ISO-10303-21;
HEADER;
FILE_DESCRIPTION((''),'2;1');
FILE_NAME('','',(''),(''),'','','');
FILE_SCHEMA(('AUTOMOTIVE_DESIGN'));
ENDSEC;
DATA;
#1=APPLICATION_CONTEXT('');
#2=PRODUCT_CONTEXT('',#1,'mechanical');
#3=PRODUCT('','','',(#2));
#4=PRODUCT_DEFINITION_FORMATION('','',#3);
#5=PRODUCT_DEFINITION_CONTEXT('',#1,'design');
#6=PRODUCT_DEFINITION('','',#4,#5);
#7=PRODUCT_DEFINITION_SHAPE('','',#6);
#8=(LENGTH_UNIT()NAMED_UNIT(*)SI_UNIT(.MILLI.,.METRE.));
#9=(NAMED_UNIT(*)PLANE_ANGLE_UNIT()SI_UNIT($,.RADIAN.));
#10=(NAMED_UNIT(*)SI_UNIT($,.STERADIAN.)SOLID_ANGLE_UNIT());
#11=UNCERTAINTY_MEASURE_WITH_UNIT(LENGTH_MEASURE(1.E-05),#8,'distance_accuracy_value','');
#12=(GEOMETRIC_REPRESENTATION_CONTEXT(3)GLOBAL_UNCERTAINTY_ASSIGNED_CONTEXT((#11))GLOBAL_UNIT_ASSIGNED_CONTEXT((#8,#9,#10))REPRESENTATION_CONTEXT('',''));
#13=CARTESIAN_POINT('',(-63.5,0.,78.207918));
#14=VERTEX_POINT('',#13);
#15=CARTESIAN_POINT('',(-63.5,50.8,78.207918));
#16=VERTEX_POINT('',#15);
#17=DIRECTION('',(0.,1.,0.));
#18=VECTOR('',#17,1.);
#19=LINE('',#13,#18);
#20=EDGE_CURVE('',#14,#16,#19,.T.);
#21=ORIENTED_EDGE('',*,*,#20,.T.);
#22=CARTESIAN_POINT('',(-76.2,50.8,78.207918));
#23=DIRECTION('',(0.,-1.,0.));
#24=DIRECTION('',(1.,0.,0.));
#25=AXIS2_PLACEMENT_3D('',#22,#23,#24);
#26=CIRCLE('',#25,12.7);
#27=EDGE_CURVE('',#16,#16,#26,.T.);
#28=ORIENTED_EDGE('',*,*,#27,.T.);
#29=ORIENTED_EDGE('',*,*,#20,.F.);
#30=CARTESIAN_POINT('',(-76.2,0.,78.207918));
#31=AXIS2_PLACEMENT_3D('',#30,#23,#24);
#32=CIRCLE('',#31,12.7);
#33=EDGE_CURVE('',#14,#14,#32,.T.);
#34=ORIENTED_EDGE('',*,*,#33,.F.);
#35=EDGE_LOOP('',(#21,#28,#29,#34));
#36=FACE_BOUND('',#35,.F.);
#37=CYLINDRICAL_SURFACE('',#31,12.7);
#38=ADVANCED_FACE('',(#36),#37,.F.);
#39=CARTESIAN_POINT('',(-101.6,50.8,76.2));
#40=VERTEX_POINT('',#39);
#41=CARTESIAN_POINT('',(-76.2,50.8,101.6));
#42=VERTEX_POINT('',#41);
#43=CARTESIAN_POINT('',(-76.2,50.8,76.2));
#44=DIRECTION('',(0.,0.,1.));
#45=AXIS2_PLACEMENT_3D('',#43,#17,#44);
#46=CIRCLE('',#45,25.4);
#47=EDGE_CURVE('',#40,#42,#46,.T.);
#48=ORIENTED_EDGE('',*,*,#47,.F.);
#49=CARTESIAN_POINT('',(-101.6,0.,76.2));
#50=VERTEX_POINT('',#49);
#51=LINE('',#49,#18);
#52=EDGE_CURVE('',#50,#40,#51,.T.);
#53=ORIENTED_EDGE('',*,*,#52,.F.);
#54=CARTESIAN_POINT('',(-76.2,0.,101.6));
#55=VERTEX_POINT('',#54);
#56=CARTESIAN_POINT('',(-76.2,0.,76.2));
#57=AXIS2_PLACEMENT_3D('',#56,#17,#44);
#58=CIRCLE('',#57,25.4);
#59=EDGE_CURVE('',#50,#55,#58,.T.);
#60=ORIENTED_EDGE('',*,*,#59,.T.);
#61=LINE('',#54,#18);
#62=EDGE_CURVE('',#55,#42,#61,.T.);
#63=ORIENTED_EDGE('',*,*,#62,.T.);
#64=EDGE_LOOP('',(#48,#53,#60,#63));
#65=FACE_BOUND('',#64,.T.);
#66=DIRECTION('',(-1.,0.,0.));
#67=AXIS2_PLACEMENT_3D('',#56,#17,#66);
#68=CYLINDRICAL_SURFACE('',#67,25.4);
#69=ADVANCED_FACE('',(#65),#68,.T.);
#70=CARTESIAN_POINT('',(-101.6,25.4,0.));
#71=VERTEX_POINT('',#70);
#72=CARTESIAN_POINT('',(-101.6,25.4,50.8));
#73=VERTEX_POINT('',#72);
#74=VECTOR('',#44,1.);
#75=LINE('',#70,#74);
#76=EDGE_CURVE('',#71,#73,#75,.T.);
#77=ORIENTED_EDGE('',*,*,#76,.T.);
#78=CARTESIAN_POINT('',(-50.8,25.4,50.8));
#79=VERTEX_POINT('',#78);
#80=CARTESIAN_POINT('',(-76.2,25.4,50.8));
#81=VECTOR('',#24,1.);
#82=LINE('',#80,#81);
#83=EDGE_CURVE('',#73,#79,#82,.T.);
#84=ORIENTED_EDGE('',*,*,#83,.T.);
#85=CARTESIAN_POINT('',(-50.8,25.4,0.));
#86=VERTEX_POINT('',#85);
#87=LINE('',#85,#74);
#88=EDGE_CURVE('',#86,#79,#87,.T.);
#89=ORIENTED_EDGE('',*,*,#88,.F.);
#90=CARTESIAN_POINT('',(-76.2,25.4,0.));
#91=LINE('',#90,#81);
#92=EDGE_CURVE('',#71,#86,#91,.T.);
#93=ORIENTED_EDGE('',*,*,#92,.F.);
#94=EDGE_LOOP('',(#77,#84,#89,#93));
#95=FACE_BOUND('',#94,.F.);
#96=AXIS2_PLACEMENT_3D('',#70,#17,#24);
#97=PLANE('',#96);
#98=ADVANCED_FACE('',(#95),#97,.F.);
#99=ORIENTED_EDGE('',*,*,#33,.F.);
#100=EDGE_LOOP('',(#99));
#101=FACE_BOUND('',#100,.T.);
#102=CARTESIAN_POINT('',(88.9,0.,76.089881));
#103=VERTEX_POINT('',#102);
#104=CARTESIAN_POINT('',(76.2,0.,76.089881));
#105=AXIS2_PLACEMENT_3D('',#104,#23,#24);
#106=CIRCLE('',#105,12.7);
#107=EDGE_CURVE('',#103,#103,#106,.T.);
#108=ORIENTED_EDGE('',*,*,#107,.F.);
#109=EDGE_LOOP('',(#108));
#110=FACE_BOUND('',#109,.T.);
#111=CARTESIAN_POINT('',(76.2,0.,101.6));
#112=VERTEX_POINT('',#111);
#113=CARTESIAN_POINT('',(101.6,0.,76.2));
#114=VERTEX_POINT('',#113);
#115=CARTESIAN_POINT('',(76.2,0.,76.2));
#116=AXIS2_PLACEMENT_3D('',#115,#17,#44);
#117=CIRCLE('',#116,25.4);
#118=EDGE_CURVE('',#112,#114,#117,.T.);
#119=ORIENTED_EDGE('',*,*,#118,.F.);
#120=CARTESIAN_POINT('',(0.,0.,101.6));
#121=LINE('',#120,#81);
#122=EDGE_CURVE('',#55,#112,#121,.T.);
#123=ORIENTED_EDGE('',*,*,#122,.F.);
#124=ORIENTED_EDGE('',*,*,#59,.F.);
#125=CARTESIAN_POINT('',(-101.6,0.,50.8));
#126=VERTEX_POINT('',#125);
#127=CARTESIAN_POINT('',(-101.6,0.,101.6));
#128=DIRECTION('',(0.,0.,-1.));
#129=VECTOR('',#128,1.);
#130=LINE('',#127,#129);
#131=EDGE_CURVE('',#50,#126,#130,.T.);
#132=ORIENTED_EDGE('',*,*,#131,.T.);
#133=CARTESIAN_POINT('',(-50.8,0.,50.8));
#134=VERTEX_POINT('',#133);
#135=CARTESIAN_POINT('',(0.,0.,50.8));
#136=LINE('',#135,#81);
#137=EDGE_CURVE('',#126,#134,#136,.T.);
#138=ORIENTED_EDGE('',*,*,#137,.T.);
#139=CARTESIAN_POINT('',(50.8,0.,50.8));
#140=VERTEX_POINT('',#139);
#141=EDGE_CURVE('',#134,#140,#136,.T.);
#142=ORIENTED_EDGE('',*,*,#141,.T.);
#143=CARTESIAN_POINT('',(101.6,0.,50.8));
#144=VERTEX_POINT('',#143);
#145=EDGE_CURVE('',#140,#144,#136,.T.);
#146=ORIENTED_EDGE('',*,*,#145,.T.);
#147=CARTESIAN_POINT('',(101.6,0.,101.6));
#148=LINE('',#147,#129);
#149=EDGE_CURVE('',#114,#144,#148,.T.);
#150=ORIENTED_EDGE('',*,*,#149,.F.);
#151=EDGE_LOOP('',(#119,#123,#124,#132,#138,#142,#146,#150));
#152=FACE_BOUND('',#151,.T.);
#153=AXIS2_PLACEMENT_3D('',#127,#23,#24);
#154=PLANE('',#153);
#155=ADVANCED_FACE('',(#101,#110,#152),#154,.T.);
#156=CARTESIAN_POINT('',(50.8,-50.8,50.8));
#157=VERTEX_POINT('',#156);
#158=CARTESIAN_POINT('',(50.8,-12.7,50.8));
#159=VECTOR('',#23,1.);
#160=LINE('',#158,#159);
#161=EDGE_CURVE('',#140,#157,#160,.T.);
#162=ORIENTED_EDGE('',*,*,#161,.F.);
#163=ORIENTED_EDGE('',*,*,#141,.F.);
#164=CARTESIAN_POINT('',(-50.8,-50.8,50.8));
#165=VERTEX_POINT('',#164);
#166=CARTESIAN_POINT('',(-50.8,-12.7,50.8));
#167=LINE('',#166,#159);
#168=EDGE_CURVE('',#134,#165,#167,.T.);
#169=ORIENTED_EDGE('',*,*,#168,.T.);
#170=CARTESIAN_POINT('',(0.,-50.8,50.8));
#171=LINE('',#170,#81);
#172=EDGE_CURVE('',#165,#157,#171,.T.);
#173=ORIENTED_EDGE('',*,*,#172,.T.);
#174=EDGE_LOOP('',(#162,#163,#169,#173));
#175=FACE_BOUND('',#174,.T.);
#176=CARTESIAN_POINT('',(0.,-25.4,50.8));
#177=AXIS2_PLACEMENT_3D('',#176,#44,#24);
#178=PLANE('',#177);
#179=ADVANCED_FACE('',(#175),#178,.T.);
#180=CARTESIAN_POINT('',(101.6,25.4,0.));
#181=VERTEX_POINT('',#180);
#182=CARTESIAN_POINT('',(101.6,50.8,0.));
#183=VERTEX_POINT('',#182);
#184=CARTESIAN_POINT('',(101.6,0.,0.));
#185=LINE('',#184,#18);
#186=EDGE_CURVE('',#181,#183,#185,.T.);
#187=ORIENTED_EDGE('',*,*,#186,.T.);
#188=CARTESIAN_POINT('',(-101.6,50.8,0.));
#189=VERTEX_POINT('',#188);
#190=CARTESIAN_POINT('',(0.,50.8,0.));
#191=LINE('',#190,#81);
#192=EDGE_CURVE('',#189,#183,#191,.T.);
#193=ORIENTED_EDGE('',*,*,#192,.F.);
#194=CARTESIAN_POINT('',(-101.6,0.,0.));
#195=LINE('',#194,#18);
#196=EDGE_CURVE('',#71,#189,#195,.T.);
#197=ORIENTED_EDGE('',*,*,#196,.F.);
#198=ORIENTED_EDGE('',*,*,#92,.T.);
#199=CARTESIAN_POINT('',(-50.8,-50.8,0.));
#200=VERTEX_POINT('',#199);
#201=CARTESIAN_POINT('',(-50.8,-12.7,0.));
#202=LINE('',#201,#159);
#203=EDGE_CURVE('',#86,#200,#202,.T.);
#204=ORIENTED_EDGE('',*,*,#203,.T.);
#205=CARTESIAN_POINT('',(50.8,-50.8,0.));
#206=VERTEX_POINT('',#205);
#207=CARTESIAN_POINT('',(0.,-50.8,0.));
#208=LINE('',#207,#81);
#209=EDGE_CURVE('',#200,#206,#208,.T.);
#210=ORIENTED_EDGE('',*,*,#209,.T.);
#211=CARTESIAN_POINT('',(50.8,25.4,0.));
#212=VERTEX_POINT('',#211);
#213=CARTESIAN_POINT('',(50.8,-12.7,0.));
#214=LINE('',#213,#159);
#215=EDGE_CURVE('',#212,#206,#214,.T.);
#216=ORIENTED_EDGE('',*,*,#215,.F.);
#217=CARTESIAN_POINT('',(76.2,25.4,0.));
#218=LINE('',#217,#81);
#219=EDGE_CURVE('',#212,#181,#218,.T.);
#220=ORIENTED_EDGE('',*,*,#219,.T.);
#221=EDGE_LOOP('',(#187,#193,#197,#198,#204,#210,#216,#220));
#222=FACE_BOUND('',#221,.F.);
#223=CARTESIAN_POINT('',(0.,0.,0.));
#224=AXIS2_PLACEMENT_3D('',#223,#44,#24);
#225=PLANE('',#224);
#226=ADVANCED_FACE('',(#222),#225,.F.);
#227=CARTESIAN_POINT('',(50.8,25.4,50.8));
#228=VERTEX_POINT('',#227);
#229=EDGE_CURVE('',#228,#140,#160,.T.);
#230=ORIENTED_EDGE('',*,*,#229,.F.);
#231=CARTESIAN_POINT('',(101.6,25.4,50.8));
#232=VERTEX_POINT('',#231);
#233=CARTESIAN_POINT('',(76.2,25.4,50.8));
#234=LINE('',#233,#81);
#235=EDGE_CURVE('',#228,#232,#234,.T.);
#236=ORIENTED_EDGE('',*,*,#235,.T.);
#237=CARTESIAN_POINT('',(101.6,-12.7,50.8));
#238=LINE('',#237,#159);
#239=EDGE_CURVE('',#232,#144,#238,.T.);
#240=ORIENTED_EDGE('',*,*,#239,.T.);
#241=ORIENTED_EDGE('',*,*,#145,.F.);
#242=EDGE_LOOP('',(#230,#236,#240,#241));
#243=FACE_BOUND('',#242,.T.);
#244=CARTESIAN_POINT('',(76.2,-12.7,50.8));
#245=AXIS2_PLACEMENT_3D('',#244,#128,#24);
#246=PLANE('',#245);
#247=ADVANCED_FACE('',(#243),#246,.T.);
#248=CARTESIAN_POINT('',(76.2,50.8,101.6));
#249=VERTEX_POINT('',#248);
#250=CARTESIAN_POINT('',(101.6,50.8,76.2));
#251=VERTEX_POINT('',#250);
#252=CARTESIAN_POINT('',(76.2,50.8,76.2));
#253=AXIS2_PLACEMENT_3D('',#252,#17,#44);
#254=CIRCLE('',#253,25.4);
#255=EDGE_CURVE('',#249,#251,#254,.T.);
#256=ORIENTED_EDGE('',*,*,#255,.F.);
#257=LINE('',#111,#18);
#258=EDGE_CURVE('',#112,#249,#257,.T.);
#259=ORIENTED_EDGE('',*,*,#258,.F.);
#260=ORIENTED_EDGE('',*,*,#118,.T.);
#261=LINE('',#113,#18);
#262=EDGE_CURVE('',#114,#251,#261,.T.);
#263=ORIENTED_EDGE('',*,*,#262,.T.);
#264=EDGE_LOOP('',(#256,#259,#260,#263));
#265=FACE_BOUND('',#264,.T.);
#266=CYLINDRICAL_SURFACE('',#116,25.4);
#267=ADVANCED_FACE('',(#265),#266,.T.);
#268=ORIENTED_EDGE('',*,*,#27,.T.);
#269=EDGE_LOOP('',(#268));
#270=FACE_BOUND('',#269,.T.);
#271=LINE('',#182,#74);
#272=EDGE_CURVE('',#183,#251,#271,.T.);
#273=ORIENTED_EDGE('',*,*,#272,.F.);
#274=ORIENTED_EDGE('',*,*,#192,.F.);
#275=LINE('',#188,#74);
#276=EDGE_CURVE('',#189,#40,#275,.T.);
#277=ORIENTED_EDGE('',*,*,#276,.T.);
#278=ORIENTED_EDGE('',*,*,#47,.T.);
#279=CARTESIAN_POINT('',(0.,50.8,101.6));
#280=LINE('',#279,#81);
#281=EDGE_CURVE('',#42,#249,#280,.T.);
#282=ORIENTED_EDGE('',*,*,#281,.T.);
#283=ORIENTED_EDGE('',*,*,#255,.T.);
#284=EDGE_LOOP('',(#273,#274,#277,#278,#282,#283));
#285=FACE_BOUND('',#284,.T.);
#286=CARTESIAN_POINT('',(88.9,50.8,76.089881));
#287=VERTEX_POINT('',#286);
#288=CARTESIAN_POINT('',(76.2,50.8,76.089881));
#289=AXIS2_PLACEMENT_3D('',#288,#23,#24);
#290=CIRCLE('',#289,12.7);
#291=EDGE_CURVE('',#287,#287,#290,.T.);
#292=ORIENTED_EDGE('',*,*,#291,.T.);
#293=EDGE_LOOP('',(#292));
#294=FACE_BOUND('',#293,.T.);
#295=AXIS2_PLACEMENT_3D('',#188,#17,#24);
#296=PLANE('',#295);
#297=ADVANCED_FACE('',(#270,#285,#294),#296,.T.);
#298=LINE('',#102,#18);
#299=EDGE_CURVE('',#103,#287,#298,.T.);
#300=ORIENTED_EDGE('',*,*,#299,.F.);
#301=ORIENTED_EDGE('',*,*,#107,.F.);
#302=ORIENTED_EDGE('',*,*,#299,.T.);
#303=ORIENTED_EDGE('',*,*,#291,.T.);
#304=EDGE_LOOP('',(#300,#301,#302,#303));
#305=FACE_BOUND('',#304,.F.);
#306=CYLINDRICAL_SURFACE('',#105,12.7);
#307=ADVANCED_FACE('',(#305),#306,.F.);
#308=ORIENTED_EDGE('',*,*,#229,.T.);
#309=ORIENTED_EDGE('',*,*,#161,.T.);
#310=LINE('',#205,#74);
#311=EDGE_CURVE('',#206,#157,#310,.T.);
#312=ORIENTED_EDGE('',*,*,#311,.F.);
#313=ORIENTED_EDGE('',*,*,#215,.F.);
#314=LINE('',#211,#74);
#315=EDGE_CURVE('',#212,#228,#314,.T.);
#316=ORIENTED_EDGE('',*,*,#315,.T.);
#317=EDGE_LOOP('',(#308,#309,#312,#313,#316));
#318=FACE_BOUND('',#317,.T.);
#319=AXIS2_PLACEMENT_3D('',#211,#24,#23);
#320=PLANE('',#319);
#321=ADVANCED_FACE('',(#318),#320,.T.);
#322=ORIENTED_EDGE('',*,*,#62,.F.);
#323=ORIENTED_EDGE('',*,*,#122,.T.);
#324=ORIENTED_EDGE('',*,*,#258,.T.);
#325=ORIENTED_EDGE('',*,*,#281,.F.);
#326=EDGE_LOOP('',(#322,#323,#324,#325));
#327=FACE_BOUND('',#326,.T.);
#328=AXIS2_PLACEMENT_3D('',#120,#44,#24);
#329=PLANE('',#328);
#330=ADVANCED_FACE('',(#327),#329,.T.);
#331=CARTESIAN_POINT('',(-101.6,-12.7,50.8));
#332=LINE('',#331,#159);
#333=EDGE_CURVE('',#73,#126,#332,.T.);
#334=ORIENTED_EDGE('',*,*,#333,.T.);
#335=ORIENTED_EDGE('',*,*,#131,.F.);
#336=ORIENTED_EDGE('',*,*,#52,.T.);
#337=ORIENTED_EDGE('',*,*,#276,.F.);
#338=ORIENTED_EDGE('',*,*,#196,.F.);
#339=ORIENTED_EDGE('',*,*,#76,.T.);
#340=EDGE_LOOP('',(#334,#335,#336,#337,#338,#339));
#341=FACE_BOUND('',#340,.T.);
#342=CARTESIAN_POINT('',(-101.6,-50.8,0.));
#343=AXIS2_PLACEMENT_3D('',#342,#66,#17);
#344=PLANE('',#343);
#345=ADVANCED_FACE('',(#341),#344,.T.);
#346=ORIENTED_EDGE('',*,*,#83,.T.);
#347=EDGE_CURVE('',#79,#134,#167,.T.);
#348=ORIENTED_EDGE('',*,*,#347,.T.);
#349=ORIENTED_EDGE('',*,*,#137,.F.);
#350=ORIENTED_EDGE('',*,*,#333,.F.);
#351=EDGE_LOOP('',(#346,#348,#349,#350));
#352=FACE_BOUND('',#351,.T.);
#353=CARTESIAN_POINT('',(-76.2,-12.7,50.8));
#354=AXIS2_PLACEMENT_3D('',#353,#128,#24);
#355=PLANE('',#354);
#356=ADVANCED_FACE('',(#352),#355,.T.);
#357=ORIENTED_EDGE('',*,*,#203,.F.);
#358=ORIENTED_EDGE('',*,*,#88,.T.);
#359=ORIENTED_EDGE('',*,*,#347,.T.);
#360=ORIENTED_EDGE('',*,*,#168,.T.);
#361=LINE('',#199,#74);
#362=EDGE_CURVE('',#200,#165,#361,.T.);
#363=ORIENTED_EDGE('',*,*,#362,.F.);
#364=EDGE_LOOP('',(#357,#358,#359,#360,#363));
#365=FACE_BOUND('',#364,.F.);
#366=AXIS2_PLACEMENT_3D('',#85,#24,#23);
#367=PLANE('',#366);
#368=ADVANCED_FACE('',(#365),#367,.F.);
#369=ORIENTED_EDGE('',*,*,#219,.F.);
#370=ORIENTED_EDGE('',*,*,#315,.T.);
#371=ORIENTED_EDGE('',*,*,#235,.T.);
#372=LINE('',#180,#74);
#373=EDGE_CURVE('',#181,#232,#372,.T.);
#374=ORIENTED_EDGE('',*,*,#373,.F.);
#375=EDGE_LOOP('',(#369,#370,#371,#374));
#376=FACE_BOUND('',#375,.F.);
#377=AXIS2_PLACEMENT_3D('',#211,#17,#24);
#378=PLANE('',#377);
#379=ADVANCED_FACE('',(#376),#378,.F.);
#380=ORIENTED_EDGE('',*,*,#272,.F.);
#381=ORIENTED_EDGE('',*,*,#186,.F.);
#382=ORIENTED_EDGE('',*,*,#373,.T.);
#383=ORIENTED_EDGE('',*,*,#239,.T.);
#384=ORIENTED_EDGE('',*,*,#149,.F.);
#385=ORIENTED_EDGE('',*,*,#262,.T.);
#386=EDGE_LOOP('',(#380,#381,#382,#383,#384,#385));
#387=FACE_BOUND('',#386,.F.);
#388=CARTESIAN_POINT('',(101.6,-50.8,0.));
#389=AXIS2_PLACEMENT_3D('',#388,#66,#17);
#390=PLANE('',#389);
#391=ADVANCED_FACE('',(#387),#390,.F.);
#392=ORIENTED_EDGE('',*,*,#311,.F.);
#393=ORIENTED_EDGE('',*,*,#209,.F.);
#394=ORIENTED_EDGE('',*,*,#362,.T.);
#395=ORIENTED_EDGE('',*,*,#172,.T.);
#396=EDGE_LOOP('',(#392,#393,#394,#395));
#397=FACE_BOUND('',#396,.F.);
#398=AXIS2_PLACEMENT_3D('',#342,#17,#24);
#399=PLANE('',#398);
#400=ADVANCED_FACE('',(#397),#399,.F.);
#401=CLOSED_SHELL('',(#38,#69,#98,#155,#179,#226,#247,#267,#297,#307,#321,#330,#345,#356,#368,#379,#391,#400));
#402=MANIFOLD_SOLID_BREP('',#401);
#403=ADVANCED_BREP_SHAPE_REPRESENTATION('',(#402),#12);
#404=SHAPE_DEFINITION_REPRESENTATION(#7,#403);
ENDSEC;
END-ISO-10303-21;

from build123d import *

# Parameters (mm, degrees)
F0_W      = 203.2
F0_H      = 101.6
F1_DEPTH  = 101.6
F2_W      = 203.2
F2_H      = 50.8
F3_DEPTH  = 50.8
F4_W      = 50.8
F4_H      = 76.2
F5_DEPTH  = 50.8
F6_W      = 50.8
F6_H      = 76.2
F7_DEPTH  = 50.8
F8_R      = 12.7
F9_DEPTH  = 50.8
F10_R     = 25.4
F11_R     = 12.7
F12_DEPTH = 50.8
F13_R     = 25.4


with BuildPart() as f1:
    # F0 (on Top) → F1 (new body)
    with BuildSketch(Plane.XY):
        Rectangle(F0_W, F0_H)
    extrude(amount=F1_DEPTH)

    # F2 (on face) → F3 (cut)
    with BuildSketch(Plane.XY.offset(101.6)):
        with Locations((0, -25.4)):
            Rectangle(F2_W, F2_H)
    extrude(amount=-F3_DEPTH, mode=Mode.SUBTRACT)

    # F4 (on face) → F5 (cut)
    with BuildSketch(Plane(origin=(0, 0, 0), x_dir=(1, 0, 0), z_dir=(0, 0, -1))):
        with Locations((76.2, 12.7)):
            Rectangle(F4_W, F4_H)
    extrude(amount=-F5_DEPTH, mode=Mode.SUBTRACT)

    # F6 (on face) → F7 (cut)
    with BuildSketch(Plane(origin=(0, 0, 0), x_dir=(1, 0, 0), z_dir=(0, 0, -1))):
        with Locations((-76.2, 12.7)):
            Rectangle(F6_W, F6_H)
    extrude(amount=-F7_DEPTH, mode=Mode.SUBTRACT)

    # F8 (on face) → F9 (cut, through all)
    with BuildSketch(Plane.XZ):
        with Locations((-76.2, 78.2079175115)):
            Circle(F8_R)
    extrude(amount=-F9_DEPTH, mode=Mode.SUBTRACT)

    # F10
    f10_edges = [f1.edges().sort_by_distance(p)[0] for p in [
        (-101.6, 25.4, 101.6),
    ]]
    fillet(f10_edges, radius=F10_R)

    # F11 (on face) → F12 (cut, through all)
    with BuildSketch(Plane.XZ):
        with Locations((76.2, 76.0898813605)):
            Circle(F11_R)
    extrude(amount=-F12_DEPTH, mode=Mode.SUBTRACT)

    # F13
    f13_edges = [f1.edges().sort_by_distance(p)[0] for p in [
        (101.6, 25.4, 101.6),
    ]]
    fillet(f13_edges, radius=F13_R)


solid = f1.part
